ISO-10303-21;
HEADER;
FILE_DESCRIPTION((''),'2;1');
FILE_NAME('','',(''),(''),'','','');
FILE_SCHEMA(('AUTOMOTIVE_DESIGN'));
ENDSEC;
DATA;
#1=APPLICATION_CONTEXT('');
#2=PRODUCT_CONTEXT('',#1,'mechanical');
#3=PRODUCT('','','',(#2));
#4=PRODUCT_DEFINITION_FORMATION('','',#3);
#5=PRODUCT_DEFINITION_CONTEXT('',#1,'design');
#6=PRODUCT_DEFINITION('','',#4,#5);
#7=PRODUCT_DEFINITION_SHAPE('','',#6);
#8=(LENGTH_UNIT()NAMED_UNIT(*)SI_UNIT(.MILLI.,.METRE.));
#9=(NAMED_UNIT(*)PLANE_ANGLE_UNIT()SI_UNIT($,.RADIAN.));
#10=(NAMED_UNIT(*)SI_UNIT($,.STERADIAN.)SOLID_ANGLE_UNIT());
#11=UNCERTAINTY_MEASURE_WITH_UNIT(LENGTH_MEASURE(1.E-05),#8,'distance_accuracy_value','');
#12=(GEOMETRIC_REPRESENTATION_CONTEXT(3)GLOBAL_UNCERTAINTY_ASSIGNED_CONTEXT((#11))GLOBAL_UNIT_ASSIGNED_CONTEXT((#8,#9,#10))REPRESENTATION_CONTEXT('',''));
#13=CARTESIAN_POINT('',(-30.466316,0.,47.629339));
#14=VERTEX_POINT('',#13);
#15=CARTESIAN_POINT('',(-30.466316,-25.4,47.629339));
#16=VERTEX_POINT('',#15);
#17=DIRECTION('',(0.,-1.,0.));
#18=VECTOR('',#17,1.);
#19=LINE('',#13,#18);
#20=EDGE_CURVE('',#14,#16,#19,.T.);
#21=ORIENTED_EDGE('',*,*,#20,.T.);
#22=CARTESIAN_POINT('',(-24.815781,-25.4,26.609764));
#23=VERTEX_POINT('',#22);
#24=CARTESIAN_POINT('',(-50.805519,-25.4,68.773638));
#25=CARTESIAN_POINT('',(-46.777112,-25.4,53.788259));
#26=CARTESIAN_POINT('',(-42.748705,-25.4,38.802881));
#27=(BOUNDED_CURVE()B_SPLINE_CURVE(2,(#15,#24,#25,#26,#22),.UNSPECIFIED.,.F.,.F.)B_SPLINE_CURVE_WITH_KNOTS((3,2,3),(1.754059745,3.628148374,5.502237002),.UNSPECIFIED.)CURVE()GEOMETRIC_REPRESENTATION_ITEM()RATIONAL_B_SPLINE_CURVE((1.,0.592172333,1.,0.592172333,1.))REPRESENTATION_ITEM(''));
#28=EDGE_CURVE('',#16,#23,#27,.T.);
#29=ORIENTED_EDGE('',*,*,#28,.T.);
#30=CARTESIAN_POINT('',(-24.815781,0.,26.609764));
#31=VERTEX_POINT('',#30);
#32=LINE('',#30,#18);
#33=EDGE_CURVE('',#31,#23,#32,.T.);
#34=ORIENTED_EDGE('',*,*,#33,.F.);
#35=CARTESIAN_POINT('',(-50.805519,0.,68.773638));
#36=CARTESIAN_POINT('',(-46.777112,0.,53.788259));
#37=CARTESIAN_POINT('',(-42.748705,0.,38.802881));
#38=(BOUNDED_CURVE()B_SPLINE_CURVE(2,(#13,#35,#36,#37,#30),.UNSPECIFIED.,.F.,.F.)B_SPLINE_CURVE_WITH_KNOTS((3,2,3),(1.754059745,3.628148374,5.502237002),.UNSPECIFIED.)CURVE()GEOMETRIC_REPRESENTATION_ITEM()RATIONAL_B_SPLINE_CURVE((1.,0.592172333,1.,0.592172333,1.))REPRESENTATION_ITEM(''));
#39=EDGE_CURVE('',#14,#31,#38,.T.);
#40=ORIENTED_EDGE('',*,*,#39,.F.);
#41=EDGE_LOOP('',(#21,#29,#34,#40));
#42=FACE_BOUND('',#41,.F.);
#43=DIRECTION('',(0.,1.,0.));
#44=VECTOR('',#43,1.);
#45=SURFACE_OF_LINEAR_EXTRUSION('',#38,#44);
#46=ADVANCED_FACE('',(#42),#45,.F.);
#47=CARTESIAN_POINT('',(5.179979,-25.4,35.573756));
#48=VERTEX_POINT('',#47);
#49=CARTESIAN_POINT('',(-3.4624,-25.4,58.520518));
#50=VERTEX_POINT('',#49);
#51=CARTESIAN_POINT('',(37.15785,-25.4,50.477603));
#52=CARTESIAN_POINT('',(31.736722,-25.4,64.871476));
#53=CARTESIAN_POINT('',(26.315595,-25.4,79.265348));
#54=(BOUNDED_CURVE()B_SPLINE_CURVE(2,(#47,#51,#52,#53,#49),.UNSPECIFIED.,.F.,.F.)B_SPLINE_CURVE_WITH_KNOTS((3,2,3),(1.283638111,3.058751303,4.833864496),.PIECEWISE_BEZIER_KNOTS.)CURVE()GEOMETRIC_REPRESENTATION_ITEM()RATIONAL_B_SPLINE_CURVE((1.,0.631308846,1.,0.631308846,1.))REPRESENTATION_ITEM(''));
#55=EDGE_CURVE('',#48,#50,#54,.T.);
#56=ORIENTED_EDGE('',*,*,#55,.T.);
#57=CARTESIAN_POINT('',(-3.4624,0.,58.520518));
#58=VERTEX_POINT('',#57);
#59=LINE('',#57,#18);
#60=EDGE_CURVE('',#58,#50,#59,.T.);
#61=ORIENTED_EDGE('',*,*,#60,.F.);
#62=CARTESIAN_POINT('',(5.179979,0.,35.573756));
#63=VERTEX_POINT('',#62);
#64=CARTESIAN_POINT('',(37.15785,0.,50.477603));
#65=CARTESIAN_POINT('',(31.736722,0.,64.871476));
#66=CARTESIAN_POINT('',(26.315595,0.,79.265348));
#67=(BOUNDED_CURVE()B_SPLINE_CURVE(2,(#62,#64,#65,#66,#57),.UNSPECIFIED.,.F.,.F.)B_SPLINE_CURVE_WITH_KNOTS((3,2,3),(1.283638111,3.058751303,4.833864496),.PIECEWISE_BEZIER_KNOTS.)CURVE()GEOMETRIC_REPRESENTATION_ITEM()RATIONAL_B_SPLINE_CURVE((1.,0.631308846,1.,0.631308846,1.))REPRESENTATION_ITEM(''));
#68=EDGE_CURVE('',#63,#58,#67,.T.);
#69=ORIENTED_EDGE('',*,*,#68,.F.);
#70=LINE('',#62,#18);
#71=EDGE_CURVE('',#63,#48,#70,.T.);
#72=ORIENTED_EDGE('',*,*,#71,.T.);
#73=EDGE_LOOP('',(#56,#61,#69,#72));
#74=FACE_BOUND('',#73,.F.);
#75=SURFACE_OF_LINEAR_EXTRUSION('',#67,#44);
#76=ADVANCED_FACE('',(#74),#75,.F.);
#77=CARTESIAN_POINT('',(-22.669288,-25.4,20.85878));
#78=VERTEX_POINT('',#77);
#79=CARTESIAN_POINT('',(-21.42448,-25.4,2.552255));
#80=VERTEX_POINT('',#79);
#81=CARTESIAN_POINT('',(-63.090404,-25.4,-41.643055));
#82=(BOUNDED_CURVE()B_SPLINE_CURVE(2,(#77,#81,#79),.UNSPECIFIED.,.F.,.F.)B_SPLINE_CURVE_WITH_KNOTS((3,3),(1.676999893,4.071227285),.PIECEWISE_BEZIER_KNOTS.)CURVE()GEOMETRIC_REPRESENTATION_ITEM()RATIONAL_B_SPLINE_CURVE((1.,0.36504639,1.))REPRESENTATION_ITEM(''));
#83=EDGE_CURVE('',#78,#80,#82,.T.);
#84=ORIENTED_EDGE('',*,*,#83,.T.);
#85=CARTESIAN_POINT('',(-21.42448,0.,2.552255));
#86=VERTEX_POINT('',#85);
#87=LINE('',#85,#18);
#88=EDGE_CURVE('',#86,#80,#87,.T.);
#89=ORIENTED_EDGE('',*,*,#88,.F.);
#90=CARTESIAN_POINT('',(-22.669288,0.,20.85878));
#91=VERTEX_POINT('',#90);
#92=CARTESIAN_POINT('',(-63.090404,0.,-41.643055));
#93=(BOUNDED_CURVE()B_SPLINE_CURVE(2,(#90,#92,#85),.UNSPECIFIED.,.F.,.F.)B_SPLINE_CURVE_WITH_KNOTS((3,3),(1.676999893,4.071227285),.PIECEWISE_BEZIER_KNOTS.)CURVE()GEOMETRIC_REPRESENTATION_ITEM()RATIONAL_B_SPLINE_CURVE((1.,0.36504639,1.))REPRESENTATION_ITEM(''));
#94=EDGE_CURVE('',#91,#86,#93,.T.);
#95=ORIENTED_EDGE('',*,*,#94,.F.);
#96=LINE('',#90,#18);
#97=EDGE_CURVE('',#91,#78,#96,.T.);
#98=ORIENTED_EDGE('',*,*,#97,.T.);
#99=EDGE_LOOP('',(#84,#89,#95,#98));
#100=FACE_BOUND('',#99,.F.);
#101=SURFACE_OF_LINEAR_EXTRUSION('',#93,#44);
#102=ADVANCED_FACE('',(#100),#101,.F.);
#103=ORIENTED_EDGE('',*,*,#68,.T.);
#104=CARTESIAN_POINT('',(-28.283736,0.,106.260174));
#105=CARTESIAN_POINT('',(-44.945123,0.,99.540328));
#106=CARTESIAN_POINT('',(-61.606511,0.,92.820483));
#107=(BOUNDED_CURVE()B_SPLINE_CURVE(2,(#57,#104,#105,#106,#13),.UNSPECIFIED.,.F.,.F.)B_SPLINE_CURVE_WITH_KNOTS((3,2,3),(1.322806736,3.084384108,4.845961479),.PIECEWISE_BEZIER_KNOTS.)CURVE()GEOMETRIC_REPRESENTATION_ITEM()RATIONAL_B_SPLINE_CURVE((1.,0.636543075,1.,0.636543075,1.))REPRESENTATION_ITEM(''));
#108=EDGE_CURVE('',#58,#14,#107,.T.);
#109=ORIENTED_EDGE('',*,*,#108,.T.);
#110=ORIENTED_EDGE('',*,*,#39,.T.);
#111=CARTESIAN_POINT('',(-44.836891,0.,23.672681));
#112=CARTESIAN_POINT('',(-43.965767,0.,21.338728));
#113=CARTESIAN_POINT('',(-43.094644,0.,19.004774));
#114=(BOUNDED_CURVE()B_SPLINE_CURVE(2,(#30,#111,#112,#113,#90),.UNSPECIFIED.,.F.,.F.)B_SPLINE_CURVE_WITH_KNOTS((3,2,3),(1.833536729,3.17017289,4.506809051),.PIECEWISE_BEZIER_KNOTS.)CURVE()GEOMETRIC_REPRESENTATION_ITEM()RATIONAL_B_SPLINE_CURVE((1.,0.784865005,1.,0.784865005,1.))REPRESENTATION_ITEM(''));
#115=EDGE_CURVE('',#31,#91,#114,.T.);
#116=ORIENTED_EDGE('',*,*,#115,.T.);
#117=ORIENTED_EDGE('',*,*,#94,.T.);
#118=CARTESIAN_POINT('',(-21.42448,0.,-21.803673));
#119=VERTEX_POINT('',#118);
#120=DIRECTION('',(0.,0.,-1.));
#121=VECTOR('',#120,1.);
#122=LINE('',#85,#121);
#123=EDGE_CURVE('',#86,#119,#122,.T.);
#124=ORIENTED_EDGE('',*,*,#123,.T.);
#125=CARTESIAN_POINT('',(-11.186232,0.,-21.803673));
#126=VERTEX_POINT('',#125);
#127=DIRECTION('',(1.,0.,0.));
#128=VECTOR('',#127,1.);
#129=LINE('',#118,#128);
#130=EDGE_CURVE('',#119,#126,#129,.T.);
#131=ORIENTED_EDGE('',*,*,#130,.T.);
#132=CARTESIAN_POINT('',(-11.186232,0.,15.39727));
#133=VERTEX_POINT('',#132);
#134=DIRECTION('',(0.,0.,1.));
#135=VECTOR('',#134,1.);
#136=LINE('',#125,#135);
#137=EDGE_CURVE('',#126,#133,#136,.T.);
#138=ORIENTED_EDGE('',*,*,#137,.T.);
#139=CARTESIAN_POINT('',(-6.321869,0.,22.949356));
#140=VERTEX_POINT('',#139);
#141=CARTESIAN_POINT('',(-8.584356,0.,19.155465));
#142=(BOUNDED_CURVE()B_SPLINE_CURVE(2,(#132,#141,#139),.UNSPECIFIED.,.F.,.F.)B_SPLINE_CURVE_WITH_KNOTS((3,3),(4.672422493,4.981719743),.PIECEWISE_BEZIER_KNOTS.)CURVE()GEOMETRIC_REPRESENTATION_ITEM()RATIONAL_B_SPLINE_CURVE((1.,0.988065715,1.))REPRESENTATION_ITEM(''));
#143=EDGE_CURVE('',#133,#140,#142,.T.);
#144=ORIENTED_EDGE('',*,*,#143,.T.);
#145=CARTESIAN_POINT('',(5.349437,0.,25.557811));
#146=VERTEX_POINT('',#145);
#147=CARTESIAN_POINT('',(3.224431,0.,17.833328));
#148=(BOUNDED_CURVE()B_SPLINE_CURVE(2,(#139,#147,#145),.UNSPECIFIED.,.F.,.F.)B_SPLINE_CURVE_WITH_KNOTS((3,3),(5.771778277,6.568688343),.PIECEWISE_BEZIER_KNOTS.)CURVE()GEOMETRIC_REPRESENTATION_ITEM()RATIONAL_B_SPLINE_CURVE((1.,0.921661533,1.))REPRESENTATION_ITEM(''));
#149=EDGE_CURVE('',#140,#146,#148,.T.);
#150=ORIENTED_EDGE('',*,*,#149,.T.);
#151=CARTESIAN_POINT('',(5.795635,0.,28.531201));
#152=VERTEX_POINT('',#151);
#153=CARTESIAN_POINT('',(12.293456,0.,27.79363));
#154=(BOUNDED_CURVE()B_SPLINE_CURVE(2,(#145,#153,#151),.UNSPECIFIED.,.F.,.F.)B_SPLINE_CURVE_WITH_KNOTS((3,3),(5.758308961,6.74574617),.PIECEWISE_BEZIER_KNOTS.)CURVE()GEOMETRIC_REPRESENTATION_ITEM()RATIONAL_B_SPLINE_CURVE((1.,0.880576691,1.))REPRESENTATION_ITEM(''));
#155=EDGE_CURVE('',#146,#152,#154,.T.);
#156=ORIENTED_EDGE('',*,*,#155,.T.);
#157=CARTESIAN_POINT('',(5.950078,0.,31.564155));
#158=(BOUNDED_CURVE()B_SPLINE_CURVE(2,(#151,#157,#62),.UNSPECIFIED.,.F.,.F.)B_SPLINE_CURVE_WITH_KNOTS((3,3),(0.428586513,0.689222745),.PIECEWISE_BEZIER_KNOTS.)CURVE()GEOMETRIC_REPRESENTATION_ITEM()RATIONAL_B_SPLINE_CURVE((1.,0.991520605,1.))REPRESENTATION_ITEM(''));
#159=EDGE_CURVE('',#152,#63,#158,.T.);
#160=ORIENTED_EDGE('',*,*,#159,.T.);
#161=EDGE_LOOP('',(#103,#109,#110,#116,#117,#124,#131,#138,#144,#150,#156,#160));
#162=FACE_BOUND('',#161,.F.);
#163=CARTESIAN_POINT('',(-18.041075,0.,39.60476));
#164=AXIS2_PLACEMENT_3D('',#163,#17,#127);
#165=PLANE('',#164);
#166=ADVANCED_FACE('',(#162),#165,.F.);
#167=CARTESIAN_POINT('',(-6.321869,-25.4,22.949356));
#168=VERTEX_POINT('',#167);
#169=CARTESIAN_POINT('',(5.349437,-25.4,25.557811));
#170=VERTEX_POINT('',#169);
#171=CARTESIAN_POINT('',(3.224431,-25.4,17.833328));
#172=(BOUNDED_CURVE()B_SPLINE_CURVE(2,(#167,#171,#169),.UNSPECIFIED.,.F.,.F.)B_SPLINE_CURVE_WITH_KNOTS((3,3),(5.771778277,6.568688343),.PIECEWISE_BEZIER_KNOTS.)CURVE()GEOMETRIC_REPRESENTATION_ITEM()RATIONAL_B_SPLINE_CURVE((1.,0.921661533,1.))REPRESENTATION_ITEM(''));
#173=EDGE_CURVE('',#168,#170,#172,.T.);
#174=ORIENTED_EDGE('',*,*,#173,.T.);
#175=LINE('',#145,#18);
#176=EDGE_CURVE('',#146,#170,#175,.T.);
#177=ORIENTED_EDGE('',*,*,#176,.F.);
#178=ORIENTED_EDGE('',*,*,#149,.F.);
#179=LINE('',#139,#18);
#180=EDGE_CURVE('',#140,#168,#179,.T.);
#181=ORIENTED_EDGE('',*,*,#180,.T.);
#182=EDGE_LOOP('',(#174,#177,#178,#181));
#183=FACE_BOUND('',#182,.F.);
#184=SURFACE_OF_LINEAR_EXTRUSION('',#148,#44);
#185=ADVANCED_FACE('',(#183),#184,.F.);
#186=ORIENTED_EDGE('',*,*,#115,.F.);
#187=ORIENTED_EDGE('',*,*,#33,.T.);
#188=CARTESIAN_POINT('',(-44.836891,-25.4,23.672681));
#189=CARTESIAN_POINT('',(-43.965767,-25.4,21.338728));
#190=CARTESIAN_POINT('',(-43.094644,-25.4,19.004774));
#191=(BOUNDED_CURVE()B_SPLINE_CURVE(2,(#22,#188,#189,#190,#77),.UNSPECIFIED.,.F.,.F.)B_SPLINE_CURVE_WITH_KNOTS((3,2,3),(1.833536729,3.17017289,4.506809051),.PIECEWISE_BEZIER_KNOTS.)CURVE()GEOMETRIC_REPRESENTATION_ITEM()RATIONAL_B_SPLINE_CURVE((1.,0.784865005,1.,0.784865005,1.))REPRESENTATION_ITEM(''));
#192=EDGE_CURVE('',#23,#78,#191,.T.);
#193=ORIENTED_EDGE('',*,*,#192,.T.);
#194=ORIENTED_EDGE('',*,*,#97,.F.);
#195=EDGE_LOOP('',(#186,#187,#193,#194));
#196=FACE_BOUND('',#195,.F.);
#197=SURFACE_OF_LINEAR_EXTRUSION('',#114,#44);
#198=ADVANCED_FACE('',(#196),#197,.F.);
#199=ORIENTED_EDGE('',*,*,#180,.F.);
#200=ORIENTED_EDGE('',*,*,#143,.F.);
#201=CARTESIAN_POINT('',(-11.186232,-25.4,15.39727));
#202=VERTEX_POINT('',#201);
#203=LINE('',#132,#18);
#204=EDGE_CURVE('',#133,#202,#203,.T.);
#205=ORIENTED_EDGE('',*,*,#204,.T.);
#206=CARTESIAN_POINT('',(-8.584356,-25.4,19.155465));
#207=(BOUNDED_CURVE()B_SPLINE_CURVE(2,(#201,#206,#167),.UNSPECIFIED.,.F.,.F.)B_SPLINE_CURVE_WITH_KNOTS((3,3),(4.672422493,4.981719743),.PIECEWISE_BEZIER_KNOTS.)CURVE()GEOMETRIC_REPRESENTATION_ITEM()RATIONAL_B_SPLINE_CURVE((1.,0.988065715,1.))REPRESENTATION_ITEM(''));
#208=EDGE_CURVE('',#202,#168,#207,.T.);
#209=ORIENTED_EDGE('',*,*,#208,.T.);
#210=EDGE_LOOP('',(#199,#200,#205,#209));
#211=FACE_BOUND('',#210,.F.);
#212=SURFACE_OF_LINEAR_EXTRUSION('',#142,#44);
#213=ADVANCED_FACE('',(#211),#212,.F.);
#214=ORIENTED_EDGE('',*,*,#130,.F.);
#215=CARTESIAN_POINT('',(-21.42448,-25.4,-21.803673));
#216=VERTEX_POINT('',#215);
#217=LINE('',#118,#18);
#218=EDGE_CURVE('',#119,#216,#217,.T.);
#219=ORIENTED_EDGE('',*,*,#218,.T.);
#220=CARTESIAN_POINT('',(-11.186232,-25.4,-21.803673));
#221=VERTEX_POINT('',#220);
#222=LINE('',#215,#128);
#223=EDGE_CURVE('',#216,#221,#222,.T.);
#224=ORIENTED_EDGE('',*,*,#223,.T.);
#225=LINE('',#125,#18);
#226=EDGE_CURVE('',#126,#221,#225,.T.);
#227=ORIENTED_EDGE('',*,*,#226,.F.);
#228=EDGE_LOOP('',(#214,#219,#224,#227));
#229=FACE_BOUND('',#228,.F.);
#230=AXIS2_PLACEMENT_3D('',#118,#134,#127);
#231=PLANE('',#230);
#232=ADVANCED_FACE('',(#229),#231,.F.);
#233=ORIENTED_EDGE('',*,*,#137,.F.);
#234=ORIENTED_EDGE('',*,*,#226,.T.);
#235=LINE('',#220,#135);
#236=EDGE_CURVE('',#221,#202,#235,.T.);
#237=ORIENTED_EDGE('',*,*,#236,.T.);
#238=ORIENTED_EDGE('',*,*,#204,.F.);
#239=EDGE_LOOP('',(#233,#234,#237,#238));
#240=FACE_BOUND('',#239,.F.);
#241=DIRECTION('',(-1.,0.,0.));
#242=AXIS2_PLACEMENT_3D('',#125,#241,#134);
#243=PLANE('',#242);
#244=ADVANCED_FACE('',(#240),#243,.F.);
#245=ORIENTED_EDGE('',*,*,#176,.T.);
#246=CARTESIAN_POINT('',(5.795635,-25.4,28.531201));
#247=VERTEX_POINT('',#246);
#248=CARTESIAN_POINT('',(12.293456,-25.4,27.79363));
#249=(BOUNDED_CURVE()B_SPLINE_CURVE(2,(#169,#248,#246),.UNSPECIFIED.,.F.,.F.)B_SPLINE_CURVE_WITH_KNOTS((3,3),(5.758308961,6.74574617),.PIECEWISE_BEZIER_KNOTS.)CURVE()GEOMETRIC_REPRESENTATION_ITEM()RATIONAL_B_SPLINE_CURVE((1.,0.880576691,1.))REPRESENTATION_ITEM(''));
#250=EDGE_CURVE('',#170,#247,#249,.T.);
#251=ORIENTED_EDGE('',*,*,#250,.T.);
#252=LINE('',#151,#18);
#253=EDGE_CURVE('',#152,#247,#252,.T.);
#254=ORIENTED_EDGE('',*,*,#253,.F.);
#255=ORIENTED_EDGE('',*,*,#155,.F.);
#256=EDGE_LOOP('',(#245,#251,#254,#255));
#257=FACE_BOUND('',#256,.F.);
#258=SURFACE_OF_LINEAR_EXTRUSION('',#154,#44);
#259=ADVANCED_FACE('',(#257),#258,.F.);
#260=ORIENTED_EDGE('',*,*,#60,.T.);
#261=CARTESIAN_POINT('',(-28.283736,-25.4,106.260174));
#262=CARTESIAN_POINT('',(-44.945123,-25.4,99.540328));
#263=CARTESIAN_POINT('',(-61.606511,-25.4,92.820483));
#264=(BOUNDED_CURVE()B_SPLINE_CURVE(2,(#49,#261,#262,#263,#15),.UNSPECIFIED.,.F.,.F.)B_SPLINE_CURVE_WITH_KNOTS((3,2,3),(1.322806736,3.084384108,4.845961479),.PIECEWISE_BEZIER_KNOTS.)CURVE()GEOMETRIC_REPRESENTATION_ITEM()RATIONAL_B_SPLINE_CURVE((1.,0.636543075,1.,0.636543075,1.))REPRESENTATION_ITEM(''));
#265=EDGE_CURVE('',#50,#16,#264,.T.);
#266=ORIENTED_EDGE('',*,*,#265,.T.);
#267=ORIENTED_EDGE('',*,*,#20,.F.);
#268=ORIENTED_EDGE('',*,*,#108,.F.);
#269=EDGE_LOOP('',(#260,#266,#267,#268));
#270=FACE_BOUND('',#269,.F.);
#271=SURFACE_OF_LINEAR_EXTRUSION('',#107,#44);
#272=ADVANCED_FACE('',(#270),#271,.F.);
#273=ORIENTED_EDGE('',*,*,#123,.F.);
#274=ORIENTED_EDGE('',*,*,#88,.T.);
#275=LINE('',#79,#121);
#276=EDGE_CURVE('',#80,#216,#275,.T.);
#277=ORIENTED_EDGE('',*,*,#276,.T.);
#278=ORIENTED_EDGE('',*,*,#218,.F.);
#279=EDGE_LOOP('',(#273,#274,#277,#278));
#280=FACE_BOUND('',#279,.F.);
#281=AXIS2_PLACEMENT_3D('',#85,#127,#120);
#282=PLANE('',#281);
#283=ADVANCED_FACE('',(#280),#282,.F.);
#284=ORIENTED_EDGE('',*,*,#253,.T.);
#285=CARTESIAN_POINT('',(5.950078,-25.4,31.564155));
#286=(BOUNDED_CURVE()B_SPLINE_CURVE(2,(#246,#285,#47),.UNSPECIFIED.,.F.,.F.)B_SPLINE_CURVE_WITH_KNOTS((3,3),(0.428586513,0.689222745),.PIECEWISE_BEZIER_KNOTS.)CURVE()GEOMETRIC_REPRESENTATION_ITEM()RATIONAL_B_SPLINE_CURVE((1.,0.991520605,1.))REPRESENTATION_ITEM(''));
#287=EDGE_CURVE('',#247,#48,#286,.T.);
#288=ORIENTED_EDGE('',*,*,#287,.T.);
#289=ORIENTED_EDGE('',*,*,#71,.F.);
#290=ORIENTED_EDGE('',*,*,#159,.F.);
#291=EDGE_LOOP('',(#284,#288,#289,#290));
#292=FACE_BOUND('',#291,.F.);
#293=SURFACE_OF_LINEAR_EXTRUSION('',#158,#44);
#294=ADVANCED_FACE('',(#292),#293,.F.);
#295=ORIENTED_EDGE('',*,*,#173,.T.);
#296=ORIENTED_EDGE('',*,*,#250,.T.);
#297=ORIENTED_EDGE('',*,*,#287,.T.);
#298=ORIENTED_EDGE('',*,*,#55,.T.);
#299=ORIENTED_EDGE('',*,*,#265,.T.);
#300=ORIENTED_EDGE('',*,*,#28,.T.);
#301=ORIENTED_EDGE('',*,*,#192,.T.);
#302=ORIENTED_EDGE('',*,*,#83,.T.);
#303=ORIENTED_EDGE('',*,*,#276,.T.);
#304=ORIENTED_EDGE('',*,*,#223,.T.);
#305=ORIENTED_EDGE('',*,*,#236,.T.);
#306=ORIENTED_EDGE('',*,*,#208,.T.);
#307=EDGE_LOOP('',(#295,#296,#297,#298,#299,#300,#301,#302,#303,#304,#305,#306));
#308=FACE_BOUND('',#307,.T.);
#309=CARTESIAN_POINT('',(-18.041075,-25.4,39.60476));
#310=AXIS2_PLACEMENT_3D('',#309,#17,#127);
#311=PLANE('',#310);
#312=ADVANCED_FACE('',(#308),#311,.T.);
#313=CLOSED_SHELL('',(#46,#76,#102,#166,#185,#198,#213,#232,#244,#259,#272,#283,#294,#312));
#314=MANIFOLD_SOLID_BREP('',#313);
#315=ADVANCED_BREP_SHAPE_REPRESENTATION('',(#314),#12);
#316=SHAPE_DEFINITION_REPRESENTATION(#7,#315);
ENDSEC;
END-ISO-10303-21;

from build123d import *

# Parameters (mm, degrees)
F1_DEPTH = 25.4


with BuildPart() as f1:
    # F0 (on Front) → F1 (new body)
    with BuildSketch(Plane.XZ):
        with BuildLine():
            add(Edge.make_bspline(
                [(-22.6692881024, 20.8587798842), (-63.0904042456, -41.6430551917), (-21.4244797826, 2.5522554152)],
                knots=[1.6769998929, 1.6769998929, 1.6769998929, 4.0712272846, 4.0712272846, 4.0712272846], degree=2, weights=[1, 0.3650463897, 1]))
            Line((-21.4244797826, 2.5522554152), (-21.4244797826, -21.8036733568))
            Line((-21.4244797826, -21.8036733568), (-11.186231859, -21.8036733568))
            Line((-11.186231859, -21.8036733568), (-11.186231859, 15.3972695649))
            add(Edge.make_bspline(
                [(-11.186231859, 15.3972695649), (-8.584356274, 19.1554651313), (-6.3218693372, 22.9493560448)],
                knots=[4.672422493, 4.672422493, 4.672422493, 4.9817197427, 4.9817197427, 4.9817197427], degree=2, weights=[1, 0.9880657151, 1]))
            add(Edge.make_bspline(
                [(-6.3218693372, 22.9493560448), (3.2244312388, 17.833328224), (5.3494367588, 25.5578112842)],
                knots=[5.7717782767, 5.7717782767, 5.7717782767, 6.5686883432, 6.5686883432, 6.5686883432], degree=2, weights=[1, 0.9216615329, 1]))
            add(Edge.make_bspline(
                [(5.3494367588, 25.5578112842), (12.293455549, 27.7936301893), (5.7956349026, 28.531200558)],
                knots=[5.7583089611, 5.7583089611, 5.7583089611, 6.7457461696, 6.7457461696, 6.7457461696], degree=2, weights=[1, 0.8805766908, 1]))
            add(Edge.make_bspline(
                [(5.7956349026, 28.531200558), (5.950078216, 31.5641545612), (5.1799792198, 35.5737563824)],
                knots=[0.4285865127, 0.4285865127, 0.4285865127, 0.6892227449, 0.6892227449, 0.6892227449], degree=2, weights=[1, 0.9915206048, 1]))
            add(Edge.make_bspline(
                [(5.1799792198, 35.5737563824), (37.1578496575, 50.4776028106), (31.7367224697, 64.8714755079), (26.3155952819, 79.2653482052), (-3.4624003642, 58.5205176785)],
                knots=[1.2836381106, 1.2836381106, 1.2836381106, 3.0587513033, 3.0587513033, 4.833864496, 4.833864496, 4.833864496], degree=2, weights=[1, 0.6313088458, 1, 0.6313088458, 1]))
            add(Edge.make_bspline(
                [(-3.4624003642, 58.5205176785), (-28.2837362515, 106.2601738423), (-44.9451234924, 99.5403282923), (-61.6065107332, 92.8204827424), (-30.4663161918, 47.6293391121)],
                knots=[1.3228067359, 1.3228067359, 1.3228067359, 3.0843841075, 3.0843841075, 4.8459614791, 4.8459614791, 4.8459614791], degree=2, weights=[1, 0.6365430753, 1, 0.6365430753, 1]))
            add(Edge.make_bspline(
                [(-30.4663161918, 47.6293391121), (-50.8055186965, 68.7736379375), (-46.7771118192, 53.788259389), (-42.7487049418, 38.8028808405), (-24.8157814918, 26.6097638661)],
                knots=[1.7540597455, 1.7540597455, 1.7540597455, 3.6281483736, 3.6281483736, 5.5022370018, 5.5022370018, 5.5022370018], degree=2, weights=[1, 0.5921723335, 1, 0.5921723335, 1]))
            add(Edge.make_bspline(
                [(-24.8157814918, 26.6097638661), (-44.8368906059, 23.6726812775), (-43.9657673002, 21.3387275827), (-43.0946439946, 19.0047738879), (-22.6692881024, 20.8587798842)],
                knots=[1.8335367287, 1.8335367287, 1.8335367287, 3.1701728898, 3.1701728898, 4.5068090509, 4.5068090509, 4.5068090509], degree=2, weights=[1, 0.7848650051, 1, 0.7848650051, 1]))
        make_face()
    extrude(amount=F1_DEPTH)


solid = f1.part
